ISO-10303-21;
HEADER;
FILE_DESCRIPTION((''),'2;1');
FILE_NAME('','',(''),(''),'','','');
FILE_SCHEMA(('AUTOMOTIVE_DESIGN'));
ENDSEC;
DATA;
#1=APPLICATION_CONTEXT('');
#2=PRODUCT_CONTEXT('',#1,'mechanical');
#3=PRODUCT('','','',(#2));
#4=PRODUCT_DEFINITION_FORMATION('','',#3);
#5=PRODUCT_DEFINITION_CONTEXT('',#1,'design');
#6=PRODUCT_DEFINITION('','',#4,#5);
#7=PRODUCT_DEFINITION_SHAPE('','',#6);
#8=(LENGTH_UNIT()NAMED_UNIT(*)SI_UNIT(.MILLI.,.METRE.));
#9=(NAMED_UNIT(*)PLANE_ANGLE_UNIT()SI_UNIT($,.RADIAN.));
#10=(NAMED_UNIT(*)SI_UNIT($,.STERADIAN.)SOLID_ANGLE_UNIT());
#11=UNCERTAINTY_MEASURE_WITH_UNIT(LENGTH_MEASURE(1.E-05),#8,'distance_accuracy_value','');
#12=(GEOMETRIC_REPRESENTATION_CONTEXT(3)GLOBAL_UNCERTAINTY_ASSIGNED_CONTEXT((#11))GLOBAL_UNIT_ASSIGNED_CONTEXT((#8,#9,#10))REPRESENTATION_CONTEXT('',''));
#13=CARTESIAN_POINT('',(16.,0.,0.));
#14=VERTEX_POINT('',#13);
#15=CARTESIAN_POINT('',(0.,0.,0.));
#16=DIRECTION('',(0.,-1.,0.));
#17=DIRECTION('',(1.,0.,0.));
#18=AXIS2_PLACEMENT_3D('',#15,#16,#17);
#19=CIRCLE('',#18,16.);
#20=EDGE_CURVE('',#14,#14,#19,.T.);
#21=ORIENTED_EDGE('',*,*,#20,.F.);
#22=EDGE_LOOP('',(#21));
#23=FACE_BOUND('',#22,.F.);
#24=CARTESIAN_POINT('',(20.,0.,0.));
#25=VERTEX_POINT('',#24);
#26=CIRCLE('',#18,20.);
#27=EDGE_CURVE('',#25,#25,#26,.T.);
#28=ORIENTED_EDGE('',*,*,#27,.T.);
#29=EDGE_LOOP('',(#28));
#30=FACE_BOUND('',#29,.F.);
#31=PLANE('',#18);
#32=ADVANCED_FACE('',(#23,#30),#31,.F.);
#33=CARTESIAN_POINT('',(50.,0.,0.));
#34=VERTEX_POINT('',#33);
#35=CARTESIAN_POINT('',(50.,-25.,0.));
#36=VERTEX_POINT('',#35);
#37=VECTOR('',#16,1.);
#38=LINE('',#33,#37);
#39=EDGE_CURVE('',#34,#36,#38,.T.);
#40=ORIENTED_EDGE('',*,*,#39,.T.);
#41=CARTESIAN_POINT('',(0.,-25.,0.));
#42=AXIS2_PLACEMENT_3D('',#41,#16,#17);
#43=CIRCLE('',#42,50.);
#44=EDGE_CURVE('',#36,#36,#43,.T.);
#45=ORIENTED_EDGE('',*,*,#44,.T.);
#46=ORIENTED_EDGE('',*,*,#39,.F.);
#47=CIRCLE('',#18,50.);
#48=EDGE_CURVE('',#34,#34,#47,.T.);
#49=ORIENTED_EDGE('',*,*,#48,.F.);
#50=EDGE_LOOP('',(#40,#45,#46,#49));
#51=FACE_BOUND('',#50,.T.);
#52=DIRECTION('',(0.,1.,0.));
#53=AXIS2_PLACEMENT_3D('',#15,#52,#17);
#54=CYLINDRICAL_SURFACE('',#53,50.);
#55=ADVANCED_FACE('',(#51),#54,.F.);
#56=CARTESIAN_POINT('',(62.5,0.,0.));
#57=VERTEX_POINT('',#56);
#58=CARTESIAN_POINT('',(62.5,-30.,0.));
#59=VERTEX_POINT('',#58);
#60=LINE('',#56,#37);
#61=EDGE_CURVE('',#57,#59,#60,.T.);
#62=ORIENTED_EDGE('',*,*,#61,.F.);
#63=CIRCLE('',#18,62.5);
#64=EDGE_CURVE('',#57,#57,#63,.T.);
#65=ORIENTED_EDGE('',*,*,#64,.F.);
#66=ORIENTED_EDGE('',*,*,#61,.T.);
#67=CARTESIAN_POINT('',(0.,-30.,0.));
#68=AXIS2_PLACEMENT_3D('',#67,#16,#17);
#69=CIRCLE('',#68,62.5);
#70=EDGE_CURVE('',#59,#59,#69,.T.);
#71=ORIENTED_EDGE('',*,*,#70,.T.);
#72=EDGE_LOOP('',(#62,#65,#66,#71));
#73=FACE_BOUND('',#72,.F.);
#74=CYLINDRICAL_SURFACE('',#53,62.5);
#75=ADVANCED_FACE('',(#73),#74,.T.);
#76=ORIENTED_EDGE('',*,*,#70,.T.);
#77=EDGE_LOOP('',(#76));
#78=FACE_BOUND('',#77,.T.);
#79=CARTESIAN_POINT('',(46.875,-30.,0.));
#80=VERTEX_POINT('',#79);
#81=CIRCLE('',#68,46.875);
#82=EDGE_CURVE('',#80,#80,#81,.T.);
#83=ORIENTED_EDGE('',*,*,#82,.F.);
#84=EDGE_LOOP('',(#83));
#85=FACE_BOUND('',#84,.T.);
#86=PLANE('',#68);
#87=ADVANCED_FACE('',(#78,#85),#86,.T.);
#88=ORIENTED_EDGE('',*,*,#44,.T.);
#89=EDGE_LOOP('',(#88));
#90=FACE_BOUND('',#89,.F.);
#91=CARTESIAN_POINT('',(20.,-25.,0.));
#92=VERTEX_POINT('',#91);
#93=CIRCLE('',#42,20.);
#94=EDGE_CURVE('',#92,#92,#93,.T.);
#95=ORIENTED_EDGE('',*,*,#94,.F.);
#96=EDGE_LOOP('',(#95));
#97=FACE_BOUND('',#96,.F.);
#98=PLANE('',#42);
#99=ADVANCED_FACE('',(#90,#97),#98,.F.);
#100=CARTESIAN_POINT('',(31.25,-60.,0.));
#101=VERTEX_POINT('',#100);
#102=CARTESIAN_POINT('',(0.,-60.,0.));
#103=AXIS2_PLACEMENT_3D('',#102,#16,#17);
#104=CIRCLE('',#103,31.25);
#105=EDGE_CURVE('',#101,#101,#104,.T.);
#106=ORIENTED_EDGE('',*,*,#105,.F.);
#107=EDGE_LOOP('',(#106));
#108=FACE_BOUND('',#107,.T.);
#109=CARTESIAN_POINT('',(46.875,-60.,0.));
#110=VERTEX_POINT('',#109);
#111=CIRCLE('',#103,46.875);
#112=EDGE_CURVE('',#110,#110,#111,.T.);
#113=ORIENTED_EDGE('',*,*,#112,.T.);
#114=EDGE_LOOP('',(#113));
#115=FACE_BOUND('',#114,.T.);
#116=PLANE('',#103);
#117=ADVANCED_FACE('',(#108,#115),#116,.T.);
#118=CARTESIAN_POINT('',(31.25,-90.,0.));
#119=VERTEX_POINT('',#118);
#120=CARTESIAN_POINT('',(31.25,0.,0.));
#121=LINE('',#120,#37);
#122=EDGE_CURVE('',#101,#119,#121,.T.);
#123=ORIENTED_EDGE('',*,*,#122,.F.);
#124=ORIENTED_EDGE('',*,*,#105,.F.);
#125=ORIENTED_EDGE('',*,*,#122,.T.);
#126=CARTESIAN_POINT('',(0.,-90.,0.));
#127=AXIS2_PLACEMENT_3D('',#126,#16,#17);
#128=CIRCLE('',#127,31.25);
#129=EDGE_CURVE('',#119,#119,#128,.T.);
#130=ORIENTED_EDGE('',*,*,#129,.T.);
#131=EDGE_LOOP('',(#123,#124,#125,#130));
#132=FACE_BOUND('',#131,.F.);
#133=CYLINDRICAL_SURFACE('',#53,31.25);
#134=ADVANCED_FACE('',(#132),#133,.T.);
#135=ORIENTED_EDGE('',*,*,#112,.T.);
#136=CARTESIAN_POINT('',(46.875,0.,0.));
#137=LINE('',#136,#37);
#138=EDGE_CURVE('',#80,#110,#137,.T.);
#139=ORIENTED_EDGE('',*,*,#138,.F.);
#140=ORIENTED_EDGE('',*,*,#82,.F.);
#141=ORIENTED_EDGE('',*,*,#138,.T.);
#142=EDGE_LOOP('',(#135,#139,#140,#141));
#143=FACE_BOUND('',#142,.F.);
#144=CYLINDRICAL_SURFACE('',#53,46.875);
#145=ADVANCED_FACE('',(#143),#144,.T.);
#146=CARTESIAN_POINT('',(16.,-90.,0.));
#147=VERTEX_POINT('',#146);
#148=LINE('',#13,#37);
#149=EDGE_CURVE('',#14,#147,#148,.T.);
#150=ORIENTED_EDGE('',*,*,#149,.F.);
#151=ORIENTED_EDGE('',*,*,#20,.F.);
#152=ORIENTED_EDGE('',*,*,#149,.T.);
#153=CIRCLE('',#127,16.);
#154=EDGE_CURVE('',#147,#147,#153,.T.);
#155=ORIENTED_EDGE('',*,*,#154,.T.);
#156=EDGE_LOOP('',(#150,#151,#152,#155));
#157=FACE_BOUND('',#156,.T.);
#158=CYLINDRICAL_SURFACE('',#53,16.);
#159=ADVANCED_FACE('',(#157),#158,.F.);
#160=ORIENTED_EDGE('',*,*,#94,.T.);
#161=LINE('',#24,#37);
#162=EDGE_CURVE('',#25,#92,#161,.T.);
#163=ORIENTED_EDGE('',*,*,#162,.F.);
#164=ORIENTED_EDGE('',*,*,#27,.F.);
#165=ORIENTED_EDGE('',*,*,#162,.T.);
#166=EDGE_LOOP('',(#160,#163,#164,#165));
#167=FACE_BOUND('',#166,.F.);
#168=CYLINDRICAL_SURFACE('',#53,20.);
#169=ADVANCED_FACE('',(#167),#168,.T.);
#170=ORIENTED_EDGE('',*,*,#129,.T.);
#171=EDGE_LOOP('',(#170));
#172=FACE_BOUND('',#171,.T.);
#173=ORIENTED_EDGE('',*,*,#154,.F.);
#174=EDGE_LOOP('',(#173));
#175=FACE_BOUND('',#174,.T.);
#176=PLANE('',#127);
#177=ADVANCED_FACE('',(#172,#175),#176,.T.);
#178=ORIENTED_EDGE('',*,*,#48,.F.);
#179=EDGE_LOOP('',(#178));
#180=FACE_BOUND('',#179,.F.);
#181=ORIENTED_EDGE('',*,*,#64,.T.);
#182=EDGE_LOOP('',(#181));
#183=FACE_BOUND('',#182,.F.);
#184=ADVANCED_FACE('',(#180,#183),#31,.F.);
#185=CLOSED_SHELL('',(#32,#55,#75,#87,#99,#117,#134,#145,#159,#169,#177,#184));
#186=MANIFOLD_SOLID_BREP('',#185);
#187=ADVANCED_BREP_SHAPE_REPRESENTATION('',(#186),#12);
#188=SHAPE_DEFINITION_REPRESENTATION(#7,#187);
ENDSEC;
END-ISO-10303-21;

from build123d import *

# Parameters (mm, degrees)
F0_R     = 31.25
F0_R_2   = 16
F1_DEPTH = 90
F0_R_3   = 46.875
F2_DEPTH = 60
F0_R_4   = 62.5
F3_DEPTH = 30
F4_R     = 50
F4_R_2   = 20
F5_DEPTH = 25


with BuildPart() as f1:
    # F0 (on Front) → F1 (new body)
    with BuildSketch(Plane.XZ):
        Circle(F0_R)
        Circle(F0_R_2, mode=Mode.SUBTRACT)
    extrude(amount=F1_DEPTH)

    # F0 (on Front) → F2 (join)
    with BuildSketch(Plane.XZ):
        Circle(F0_R_3)
        Circle(F0_R, mode=Mode.SUBTRACT)
    extrude(amount=F2_DEPTH)

    # F0 (on Front) → F3 (join)
    with BuildSketch(Plane.XZ):
        Circle(F0_R_4)
        Circle(F0_R_3, mode=Mode.SUBTRACT)
    extrude(amount=F3_DEPTH)

    # F4 (on Front) → F5 (cut)
    with BuildSketch(Plane.XZ):
        Circle(F4_R)
        Circle(F4_R_2, mode=Mode.SUBTRACT)
    extrude(amount=F5_DEPTH, mode=Mode.SUBTRACT)


solid = f1.part
